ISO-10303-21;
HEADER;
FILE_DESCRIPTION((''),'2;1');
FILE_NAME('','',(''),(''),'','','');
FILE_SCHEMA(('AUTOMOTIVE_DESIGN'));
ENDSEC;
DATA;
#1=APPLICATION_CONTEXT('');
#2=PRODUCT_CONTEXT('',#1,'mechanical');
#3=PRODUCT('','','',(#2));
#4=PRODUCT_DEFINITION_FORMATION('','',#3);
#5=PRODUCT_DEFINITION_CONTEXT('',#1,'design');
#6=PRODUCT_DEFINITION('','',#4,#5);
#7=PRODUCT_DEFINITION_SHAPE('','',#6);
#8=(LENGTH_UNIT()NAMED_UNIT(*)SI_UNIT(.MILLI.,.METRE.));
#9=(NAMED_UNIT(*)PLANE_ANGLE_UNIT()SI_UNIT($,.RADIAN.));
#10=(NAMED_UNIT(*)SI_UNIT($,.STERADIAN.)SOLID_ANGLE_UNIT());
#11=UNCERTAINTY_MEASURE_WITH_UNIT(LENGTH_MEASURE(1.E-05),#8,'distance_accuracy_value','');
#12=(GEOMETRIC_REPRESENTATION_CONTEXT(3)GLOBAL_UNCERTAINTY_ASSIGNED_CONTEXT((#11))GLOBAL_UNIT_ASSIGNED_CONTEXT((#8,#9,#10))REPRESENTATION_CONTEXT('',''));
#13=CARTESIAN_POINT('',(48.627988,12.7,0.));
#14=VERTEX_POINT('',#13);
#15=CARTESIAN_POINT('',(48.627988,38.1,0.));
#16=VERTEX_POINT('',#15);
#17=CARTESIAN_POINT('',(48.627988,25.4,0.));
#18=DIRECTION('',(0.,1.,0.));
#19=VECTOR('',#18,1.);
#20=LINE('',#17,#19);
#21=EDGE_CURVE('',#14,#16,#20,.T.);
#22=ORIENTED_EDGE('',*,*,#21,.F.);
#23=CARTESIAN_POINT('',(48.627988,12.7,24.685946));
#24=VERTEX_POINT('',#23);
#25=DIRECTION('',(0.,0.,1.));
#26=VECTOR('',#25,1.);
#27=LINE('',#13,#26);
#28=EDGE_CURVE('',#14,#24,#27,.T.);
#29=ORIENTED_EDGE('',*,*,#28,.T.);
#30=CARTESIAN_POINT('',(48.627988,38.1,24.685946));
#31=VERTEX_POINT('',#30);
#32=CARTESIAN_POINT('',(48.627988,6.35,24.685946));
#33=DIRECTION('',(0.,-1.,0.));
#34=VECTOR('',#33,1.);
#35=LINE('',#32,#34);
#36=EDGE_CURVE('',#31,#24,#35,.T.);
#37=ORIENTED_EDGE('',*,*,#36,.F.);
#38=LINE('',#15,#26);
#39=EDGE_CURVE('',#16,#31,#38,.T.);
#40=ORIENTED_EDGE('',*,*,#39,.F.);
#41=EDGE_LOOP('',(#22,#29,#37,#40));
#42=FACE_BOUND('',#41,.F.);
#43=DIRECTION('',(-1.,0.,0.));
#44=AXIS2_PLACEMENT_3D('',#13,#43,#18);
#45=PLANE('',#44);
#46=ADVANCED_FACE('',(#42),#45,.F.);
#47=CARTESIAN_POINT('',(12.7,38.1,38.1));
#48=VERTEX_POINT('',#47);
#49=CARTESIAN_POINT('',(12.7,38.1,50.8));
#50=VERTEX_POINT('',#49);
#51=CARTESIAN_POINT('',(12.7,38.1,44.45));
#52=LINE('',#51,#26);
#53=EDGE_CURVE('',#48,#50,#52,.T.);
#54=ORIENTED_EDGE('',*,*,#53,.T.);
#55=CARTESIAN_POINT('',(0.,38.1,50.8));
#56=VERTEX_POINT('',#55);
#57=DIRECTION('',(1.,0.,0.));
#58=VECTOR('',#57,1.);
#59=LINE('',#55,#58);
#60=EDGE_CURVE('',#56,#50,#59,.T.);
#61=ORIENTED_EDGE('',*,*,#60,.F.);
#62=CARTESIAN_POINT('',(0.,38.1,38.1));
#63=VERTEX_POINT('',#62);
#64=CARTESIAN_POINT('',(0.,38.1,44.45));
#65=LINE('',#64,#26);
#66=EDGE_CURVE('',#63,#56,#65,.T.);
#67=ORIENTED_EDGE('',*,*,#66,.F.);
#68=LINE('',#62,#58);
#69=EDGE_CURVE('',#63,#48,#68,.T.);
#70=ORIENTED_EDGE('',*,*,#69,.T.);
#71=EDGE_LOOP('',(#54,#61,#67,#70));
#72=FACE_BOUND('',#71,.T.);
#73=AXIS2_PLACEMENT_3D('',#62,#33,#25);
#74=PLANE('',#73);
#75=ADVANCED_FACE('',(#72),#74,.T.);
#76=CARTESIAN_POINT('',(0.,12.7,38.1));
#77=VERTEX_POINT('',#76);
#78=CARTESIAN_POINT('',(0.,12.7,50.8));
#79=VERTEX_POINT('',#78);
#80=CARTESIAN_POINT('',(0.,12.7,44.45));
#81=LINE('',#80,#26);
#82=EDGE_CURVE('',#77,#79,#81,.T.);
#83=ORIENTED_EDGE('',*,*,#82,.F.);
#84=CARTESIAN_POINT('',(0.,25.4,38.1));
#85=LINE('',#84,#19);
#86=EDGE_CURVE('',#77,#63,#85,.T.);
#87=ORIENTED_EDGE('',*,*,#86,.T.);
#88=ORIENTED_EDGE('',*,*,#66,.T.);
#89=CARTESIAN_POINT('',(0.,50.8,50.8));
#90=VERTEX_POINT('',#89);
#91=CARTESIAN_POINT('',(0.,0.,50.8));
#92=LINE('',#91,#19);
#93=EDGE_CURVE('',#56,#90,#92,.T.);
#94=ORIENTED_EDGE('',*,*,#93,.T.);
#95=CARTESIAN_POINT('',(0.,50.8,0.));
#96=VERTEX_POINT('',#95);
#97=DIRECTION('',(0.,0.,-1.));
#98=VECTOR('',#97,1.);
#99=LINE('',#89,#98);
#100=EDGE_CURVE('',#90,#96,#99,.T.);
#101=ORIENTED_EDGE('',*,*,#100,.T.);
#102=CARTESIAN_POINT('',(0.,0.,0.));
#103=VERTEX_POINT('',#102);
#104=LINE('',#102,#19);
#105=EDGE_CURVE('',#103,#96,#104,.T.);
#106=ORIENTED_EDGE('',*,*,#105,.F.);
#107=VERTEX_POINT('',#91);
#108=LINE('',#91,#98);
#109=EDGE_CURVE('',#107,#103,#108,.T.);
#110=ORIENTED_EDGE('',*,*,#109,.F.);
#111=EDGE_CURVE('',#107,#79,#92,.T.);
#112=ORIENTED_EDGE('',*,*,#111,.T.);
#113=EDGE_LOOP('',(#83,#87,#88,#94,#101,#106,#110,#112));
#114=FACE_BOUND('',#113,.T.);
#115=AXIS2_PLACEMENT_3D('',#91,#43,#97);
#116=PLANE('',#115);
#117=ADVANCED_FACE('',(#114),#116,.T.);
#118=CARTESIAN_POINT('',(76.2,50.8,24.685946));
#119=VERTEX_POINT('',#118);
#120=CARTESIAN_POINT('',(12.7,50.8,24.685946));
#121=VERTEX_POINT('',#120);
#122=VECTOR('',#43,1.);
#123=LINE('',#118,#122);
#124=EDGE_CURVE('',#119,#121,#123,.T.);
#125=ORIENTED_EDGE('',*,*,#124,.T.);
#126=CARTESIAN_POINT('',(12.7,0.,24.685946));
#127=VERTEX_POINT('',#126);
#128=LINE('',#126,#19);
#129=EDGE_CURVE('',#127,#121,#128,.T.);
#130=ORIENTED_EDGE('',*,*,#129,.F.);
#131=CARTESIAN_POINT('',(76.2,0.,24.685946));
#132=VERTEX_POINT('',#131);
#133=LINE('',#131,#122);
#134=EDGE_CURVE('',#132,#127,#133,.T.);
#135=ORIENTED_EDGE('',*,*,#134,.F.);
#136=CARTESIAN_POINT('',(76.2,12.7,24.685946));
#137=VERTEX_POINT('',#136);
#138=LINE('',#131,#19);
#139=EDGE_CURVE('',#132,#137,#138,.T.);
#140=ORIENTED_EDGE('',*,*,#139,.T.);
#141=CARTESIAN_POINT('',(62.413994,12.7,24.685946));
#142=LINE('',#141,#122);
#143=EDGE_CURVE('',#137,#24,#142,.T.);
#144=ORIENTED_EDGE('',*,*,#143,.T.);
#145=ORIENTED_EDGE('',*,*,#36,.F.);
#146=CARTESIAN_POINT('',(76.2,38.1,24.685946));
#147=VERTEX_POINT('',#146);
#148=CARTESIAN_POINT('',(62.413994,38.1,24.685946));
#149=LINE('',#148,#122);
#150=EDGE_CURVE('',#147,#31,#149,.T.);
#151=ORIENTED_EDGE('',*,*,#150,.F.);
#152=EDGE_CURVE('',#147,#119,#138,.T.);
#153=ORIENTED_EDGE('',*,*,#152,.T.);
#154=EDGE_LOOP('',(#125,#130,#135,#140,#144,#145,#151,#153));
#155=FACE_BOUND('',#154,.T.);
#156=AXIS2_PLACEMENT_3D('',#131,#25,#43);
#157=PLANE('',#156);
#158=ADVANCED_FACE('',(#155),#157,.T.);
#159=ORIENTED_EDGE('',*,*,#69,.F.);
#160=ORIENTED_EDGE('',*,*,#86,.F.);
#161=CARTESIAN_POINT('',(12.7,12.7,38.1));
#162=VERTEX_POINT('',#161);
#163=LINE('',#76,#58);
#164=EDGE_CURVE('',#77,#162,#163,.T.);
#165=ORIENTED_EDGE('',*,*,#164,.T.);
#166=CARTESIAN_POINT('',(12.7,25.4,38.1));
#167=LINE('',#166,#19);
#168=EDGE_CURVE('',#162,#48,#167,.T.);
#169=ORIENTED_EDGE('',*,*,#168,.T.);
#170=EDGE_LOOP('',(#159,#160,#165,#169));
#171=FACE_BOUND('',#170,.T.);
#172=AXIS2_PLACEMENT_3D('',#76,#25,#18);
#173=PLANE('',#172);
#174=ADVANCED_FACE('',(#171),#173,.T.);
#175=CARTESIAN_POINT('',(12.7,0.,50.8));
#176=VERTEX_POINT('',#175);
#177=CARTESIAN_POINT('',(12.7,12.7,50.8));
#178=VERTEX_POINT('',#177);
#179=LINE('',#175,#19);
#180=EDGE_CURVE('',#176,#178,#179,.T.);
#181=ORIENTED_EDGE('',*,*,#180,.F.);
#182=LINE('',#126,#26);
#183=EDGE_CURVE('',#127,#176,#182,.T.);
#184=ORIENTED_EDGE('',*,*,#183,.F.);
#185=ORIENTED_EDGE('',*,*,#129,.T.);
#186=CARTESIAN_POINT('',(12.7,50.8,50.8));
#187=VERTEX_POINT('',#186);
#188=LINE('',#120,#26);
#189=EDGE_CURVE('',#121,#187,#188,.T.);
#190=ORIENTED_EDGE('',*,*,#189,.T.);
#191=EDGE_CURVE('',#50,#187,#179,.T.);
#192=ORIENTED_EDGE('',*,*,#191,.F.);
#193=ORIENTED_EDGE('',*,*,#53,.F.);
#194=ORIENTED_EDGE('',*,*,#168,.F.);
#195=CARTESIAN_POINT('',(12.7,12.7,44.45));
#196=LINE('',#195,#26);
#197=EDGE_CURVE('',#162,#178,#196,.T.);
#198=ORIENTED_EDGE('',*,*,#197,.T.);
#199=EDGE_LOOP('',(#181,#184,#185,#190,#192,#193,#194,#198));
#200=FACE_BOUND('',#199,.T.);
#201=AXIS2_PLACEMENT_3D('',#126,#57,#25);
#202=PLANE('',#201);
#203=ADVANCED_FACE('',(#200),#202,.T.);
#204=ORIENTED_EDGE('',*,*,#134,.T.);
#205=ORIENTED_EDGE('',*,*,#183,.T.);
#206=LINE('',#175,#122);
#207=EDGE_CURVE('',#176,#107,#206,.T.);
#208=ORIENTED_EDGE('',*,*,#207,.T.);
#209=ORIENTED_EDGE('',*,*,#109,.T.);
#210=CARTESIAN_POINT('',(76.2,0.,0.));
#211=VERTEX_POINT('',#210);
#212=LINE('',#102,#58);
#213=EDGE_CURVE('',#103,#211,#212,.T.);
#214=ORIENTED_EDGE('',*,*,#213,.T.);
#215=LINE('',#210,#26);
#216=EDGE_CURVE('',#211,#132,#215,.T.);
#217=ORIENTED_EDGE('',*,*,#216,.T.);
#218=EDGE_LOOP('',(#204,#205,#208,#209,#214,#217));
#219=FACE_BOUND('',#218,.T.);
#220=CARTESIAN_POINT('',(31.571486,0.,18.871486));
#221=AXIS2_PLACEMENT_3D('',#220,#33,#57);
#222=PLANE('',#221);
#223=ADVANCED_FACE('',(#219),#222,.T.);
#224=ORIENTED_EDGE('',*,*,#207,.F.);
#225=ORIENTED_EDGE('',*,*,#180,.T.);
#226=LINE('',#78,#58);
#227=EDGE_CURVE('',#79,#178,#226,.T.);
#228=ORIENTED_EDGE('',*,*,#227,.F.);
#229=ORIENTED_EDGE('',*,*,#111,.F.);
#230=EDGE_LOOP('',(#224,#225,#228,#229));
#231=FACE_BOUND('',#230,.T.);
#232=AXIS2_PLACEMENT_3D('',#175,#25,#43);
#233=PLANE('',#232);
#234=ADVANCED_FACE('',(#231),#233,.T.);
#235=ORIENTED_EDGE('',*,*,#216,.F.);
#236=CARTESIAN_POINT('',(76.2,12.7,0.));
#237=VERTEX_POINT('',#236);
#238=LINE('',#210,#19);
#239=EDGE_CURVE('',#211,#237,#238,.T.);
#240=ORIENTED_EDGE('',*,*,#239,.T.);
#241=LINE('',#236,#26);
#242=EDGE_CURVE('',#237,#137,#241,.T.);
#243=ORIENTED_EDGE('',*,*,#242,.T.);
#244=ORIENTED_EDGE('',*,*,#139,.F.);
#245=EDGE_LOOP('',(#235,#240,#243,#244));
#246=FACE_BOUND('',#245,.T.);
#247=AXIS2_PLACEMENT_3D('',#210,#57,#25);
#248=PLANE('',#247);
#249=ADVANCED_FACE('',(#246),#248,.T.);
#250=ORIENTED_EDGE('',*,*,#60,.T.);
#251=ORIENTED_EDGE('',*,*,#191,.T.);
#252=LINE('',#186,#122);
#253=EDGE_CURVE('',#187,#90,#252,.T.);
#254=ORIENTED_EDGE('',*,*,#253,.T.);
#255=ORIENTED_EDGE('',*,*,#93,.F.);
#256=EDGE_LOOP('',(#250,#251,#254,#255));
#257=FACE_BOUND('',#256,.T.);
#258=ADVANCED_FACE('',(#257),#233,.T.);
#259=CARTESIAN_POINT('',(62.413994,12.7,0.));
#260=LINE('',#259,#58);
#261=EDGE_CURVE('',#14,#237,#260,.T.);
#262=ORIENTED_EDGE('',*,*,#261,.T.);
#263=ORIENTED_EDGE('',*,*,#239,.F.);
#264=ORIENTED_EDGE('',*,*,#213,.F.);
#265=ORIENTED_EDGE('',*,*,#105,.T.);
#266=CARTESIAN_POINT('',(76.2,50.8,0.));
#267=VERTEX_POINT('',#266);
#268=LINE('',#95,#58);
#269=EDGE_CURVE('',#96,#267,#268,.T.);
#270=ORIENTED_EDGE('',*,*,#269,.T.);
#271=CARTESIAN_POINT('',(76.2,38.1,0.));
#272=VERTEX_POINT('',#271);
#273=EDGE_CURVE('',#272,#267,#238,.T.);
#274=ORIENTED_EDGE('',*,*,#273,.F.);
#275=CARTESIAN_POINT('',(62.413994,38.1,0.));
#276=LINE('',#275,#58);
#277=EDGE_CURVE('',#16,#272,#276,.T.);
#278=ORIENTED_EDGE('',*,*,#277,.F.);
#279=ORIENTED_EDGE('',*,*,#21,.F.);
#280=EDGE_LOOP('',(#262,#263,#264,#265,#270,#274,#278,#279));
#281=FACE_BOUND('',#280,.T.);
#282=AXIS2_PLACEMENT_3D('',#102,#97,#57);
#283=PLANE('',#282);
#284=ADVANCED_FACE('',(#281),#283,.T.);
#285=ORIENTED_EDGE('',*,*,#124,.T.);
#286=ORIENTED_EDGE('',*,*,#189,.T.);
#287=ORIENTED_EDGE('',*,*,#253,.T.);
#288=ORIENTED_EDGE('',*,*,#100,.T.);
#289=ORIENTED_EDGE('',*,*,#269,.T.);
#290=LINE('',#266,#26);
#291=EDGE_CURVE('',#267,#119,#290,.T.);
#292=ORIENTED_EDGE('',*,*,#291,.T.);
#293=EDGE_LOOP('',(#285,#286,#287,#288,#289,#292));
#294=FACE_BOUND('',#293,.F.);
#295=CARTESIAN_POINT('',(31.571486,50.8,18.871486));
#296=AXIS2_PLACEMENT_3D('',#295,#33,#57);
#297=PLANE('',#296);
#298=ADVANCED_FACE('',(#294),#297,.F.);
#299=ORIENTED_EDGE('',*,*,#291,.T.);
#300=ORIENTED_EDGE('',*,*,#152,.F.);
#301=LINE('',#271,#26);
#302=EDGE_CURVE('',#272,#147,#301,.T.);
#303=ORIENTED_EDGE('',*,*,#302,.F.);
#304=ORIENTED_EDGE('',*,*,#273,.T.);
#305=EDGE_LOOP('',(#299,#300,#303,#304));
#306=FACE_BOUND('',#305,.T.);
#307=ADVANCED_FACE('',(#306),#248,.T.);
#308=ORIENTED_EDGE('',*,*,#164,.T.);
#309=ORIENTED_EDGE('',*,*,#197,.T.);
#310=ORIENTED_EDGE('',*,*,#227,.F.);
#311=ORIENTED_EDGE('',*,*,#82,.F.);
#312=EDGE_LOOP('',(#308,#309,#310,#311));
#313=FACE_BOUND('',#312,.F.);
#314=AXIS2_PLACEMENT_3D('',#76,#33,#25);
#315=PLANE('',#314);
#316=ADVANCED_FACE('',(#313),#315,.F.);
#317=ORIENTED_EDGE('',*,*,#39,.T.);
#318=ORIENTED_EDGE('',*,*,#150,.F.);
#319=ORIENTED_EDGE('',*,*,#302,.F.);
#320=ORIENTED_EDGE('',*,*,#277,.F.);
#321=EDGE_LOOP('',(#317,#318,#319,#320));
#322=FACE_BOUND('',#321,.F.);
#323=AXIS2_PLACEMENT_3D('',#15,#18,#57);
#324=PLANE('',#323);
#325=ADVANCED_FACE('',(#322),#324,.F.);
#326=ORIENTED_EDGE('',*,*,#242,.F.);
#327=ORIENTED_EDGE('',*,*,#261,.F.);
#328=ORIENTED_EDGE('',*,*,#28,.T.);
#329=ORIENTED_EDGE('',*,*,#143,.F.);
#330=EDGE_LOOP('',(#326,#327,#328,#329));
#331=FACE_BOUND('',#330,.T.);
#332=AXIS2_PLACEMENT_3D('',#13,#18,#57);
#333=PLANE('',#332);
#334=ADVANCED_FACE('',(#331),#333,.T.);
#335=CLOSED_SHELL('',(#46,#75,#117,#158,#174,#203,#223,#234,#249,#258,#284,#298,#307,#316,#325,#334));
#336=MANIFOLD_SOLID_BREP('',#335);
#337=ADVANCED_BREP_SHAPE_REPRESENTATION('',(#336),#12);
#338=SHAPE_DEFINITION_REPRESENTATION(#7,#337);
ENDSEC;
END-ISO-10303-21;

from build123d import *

# Parameters (mm, degrees)
F3_DEPTH = 50.8
F1_W     = 27.572012
F1_H     = 25.4
F4_DEPTH = 25.4
F2_W     = 25.4
F2_H     = 12.7
F5_DEPTH = 12.7


with BuildPart() as f3:
    # F0 (on Front) → F3 (new body)
    with BuildSketch(Plane.XZ):
        Polygon((0, 50.8), (0, 0), (76.2, 0), (76.2, 24.685946), (12.7, 24.685946), (12.7, 50.8), align=None)
    extrude(amount=-F3_DEPTH)

    # F1 (on Top) → F4 (cut)
    with BuildSketch(Plane.XY):
        with Locations((62.413994, 25.4)):
            Rectangle(F1_W, F1_H)
    extrude(amount=F4_DEPTH, mode=Mode.SUBTRACT)

    # F2 (on Right) → F5 (cut)
    with BuildSketch(Plane.YZ):
        with Locations((25.4, 44.45)):
            Rectangle(F2_W, F2_H)
    extrude(amount=F5_DEPTH, mode=Mode.SUBTRACT)


solid = f3.part
